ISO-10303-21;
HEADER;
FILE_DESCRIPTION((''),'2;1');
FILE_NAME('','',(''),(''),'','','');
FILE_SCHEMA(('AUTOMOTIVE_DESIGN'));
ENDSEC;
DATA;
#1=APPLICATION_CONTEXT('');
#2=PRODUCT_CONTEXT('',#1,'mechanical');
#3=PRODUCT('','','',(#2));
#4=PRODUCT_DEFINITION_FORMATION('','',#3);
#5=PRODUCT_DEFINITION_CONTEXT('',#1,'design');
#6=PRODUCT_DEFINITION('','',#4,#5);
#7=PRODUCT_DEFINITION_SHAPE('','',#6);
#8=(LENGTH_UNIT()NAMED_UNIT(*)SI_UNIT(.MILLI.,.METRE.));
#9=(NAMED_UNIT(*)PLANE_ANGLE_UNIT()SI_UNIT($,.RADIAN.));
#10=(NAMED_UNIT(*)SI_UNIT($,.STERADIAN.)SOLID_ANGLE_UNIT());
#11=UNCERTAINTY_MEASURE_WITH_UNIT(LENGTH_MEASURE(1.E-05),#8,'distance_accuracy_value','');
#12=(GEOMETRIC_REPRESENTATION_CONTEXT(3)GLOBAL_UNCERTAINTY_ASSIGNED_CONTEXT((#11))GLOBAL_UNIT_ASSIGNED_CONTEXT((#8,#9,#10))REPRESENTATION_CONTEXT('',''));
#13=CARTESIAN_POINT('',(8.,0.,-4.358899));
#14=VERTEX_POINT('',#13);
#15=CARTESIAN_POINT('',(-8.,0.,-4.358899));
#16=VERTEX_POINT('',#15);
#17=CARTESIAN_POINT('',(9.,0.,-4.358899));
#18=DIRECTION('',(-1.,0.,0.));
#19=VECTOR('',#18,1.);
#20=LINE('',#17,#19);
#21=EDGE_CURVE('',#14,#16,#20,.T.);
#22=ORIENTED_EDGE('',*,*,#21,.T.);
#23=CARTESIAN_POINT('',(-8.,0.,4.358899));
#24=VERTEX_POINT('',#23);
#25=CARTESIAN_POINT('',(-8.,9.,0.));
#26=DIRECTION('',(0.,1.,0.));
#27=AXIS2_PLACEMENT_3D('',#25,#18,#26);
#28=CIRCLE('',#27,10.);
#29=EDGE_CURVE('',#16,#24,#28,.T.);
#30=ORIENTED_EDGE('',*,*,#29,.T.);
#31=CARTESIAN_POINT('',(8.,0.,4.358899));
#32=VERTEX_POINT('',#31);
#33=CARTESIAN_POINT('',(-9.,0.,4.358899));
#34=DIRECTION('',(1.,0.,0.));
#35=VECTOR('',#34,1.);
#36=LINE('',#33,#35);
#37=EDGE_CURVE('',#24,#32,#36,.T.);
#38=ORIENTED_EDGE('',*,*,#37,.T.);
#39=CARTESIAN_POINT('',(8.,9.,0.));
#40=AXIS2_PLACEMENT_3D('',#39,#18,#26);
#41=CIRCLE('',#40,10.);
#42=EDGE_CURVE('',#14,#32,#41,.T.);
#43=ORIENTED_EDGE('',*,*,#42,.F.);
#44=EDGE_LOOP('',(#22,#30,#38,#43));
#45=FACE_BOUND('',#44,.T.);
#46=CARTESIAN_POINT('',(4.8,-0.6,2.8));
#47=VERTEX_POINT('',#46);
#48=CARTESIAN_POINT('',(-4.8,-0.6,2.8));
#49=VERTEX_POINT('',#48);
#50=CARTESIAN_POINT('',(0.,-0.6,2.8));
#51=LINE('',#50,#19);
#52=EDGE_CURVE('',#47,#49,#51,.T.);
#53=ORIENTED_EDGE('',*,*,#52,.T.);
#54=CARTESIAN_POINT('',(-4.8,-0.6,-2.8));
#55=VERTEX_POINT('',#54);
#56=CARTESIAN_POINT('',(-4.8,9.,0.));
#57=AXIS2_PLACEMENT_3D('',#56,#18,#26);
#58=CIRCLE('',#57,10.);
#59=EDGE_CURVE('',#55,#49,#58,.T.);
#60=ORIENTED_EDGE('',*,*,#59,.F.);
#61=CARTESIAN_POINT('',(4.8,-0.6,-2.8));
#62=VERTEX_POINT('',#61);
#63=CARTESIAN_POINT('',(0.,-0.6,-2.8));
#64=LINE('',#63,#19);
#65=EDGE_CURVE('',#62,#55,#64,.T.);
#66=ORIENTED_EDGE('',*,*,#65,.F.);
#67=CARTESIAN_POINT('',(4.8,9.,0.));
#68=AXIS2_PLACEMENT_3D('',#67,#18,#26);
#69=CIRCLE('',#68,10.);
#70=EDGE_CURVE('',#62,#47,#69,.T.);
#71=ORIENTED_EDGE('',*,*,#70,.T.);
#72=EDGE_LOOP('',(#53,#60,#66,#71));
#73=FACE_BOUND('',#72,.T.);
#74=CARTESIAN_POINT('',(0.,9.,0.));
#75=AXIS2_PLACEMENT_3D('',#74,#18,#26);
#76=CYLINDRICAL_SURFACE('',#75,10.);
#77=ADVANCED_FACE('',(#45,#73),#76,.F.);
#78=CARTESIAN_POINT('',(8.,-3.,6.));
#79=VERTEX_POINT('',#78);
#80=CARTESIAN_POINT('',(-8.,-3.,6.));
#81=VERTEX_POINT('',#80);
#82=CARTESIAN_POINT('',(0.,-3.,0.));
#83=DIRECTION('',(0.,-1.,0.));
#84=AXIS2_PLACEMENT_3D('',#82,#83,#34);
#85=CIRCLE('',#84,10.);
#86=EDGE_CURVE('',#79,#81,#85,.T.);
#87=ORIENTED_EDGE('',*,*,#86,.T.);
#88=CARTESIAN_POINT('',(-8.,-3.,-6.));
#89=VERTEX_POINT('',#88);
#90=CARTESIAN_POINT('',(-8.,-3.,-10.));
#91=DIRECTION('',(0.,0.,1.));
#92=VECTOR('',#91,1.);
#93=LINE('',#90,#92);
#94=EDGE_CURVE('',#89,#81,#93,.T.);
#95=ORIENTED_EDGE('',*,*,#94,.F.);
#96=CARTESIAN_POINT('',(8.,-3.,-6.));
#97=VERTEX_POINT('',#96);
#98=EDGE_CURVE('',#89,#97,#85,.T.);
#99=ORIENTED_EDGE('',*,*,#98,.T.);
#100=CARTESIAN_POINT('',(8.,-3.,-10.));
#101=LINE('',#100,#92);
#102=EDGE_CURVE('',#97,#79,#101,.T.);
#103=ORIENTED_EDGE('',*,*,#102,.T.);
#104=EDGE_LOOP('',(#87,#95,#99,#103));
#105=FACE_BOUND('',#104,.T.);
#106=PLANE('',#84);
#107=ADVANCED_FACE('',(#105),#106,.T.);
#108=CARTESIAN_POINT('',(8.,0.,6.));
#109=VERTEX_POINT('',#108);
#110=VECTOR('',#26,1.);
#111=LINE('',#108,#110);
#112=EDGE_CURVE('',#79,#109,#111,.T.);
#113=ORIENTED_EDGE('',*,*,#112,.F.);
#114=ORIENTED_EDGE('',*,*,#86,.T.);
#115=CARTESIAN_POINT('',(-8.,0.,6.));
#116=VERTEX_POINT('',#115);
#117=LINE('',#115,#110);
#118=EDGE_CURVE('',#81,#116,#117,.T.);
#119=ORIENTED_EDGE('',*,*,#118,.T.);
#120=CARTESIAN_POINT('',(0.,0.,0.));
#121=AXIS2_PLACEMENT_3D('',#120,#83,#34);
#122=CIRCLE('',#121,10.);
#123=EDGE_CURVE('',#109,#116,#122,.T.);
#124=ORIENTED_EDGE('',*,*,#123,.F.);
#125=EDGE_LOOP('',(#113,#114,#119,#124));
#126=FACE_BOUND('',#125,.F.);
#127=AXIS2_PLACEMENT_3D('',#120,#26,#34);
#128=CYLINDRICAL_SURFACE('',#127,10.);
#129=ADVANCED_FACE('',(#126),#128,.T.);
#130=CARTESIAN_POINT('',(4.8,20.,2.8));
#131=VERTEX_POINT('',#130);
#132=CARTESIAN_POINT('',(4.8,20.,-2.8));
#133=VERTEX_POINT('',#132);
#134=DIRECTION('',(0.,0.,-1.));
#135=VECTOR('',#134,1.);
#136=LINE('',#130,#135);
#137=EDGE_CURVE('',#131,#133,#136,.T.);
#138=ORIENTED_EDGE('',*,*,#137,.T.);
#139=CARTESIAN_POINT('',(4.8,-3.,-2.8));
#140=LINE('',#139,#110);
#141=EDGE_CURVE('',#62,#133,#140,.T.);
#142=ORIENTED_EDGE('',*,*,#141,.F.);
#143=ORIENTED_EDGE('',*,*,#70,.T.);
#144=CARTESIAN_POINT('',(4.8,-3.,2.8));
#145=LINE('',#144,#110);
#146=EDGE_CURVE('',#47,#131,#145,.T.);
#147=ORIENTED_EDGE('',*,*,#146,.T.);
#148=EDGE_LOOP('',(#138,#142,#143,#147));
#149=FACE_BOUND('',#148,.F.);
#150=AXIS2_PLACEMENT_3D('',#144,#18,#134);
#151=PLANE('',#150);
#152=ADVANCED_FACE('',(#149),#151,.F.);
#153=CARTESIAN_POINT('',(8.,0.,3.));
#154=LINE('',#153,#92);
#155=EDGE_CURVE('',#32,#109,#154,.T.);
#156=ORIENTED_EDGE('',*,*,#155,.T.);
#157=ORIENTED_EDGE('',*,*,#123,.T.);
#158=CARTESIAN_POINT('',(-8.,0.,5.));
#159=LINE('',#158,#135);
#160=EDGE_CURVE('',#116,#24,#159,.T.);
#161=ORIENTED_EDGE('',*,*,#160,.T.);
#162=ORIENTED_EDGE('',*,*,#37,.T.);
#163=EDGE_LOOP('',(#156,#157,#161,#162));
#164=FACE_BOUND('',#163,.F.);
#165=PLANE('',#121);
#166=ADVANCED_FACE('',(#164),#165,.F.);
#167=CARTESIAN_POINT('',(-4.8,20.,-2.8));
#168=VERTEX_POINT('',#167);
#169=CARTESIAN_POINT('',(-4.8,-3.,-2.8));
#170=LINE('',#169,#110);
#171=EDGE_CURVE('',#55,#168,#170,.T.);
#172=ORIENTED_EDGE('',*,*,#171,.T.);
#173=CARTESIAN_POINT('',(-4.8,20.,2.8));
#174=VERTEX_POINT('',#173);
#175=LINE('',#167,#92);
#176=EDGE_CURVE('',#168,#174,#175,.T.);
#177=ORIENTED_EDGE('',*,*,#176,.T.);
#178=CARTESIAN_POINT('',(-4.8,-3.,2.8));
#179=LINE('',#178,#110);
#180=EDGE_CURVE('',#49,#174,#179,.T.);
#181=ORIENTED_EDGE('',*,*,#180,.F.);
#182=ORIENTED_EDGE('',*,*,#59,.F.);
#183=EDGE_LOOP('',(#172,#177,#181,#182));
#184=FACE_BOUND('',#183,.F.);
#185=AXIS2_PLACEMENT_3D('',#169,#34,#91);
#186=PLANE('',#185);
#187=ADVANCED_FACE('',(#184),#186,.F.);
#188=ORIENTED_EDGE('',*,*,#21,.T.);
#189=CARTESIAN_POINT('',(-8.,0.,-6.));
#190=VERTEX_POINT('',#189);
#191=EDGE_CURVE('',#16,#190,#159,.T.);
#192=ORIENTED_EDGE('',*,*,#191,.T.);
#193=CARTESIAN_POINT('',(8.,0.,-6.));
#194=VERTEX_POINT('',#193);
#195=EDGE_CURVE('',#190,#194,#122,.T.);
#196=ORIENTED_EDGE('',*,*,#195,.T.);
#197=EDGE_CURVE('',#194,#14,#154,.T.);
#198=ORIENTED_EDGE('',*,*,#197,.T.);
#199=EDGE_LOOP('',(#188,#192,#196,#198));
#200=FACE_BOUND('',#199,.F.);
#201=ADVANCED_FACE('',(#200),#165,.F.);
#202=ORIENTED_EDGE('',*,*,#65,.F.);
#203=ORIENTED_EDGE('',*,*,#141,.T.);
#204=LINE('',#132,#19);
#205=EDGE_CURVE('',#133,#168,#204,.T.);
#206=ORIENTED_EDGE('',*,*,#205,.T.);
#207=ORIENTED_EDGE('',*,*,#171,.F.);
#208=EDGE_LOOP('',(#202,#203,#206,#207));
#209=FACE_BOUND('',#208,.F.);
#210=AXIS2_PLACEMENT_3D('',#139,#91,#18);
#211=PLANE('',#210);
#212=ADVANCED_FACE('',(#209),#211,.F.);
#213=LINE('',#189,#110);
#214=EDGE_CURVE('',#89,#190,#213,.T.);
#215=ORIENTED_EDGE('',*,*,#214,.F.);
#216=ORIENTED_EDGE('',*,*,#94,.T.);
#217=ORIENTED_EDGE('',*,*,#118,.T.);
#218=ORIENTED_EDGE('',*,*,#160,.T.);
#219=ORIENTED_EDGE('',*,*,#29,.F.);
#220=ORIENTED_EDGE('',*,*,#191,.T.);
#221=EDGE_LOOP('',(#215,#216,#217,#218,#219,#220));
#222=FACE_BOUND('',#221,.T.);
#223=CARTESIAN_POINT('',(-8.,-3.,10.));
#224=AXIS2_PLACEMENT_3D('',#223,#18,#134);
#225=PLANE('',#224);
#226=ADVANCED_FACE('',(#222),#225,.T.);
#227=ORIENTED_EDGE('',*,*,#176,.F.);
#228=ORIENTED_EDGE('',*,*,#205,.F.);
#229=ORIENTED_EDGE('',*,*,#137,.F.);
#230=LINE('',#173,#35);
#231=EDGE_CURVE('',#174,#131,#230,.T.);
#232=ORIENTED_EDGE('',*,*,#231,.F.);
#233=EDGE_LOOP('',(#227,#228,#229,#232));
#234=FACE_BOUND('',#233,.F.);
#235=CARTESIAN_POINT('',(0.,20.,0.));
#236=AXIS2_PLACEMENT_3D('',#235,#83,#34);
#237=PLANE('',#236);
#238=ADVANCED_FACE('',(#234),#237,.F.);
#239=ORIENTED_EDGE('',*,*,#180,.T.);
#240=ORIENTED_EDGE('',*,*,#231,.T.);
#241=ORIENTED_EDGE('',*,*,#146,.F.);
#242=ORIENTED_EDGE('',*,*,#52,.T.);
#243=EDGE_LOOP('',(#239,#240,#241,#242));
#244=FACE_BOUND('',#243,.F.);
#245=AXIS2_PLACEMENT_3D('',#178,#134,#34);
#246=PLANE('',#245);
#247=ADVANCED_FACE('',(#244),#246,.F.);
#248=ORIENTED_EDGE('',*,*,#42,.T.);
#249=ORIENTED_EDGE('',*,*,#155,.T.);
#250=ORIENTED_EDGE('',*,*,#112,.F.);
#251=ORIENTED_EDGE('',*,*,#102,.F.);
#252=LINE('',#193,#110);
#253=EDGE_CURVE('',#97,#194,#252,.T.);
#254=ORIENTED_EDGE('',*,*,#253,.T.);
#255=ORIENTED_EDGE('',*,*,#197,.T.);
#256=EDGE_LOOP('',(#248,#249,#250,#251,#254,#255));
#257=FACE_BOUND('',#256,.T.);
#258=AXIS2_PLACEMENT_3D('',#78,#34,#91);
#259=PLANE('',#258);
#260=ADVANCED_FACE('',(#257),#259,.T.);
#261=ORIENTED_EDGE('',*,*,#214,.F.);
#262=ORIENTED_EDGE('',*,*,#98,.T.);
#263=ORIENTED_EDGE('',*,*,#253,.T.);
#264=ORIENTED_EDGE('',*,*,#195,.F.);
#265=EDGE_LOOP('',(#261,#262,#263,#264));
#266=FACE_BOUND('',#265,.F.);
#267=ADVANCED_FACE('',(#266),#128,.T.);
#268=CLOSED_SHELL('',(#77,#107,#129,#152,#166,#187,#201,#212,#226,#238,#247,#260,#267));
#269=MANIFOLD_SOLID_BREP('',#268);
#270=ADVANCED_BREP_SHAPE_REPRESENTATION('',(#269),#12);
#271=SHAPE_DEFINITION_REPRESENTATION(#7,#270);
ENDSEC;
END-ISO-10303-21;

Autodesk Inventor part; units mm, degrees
ref_plane "YZ Plane" through (0, 0, 0) normal (1, 0, 0) x (0, 1, 0)
ref_plane "XZ Plane" through (0, 0, 0) normal (0, 1, 0) x (-1, 0, 0)
ref_plane "XY Plane" through (0, 0, 0) normal (0, 0, 1) x (1, 0, 0)
sketch "Sketch1" plane through (0, 0, 0) normal (0, 1, 0) x (-1, 0, 0)
  line L0 (4.9, 2.9) -> (-4.9, 2.9)
  line L1 (-4.9, 2.9) -> (-4.9, -2.9)
  line L2 (-4.9, -2.9) -> (4.9, -2.9)
  line L3 (4.9, -2.9) -> (4.9, 2.9)
  point P0 (0, 0)
  dimension "d0" = 9.8
  dimension "d1" = 5.8
  dimension "d2" = 2.9
  dimension "d3" = 4.9
extrude "Extrusion1" add sketch "Sketch1" along normal blind 20
sketch "Sketch2" plane through (0, 0, 0) normal (0, -1, 0) x (1, 0, 0)
  circle A0 centre (0, 0) radius 10
  dimension "d6" = 20
extrude "Extrusion2" add sketch "Sketch2" along normal blind 3
sketch "Sketch3" plane through (0, 20, 0) normal (0, 1, 0) x (1, 0, 0)
  line L0 (-4.9, 2.9) -> (-4.9, -2.9) projected
  line L1 (-4.9, -2.9) -> (4.9, -2.9) projected
  line L2 (-4.9, 2.9) -> (4.9, 2.9)
  line L3 (4.9, 2.9) -> (4.9, -2.9)
  line L4 (4.9, -2.9) -> (-4.9, -2.9)
  line L5 (-4.9, -2.9) -> (-4.9, 2.9)
  point P0 (0, 0)
extrude "Extrusion3" cut sketch "Sketch3" against normal up to surface (20 mm away)
sketch "Sketch4" plane through (0, 0, 0) normal (1, 0, 0) x (0, 1, 0)
  circle A0 centre (9, 0) radius 10
  line L0 (-3, 10) -> (-3, -10) projected
  point P0 (0, 0)
  point P1 (-3, 0)
  dimension "d11" = 20
  dimension "d12" = 12
  dimension "d13" = 0
extrude "Extrusion4" cut sketch "Sketch4" along normal through all both and the other way through all
sketch "Sketch5" plane through (0, -3, 0) normal (0, -1, 0) x (1, 0, 0)
  line L0 (-4.8, 2.8) -> (4.8, 2.8)
  line L1 (4.8, 2.8) -> (4.8, -2.8)
  line L2 (4.8, -2.8) -> (-4.8, -2.8)
  line L3 (-4.8, -2.8) -> (-4.8, 2.8)
  point P0 (0, 0)
  dimension "d16" = 9.6
  dimension "d17" = 5.6
  dimension "d18" = 2.8
  dimension "d19" = 4.8
extrude "Extrusion5" add sketch "Sketch5" against normal blind 23
sketch "Sketch6" plane through (0, -3, 0) normal (0, -1, 0) x (1, 0, 0)
  line L0 (8, 10) -> (10, 10)
  line L1 (10, 10) -> (10, -10)
  line L2 (10, -10) -> (8, -10)
  line L3 (8, -10) -> (8, 10)
  line L4 (-10, 10) -> (-8, 10)
  line L5 (-8, 10) -> (-8, -10)
  line L6 (-8, -10) -> (-10, -10)
  line L7 (-10, -10) -> (-10, 10)
  circle A0 centre (0, 0) radius 10 projected
  point P0 (-9, -10)
  point P1 (-9, 10)
  dimension "d22" = 20
  dimension "d23" = 10
  dimension "d24" = 2
  dimension "d25" = 10
  dimension "d26" = 8
  dimension "d27" = 2
  dimension "d28" = 0
  dimension "d29" = 0
extrude "Extrusion6" cut sketch "Sketch6" against normal through all contours L0 L1 A0 L3 | A0 L3 | L1 L2 L3 A0 | A0 L7 L4 L5 | L5 A0 | L5 L6 L7 A0
equation "\"d2\" = 0.5 * d1"
equation "\"d3\" = 0.5 * d0"
equation "\"d18\" = 0.5 * d17"
equation "\"d19\" = 0.5 * d16"
properties part number "Pin"
